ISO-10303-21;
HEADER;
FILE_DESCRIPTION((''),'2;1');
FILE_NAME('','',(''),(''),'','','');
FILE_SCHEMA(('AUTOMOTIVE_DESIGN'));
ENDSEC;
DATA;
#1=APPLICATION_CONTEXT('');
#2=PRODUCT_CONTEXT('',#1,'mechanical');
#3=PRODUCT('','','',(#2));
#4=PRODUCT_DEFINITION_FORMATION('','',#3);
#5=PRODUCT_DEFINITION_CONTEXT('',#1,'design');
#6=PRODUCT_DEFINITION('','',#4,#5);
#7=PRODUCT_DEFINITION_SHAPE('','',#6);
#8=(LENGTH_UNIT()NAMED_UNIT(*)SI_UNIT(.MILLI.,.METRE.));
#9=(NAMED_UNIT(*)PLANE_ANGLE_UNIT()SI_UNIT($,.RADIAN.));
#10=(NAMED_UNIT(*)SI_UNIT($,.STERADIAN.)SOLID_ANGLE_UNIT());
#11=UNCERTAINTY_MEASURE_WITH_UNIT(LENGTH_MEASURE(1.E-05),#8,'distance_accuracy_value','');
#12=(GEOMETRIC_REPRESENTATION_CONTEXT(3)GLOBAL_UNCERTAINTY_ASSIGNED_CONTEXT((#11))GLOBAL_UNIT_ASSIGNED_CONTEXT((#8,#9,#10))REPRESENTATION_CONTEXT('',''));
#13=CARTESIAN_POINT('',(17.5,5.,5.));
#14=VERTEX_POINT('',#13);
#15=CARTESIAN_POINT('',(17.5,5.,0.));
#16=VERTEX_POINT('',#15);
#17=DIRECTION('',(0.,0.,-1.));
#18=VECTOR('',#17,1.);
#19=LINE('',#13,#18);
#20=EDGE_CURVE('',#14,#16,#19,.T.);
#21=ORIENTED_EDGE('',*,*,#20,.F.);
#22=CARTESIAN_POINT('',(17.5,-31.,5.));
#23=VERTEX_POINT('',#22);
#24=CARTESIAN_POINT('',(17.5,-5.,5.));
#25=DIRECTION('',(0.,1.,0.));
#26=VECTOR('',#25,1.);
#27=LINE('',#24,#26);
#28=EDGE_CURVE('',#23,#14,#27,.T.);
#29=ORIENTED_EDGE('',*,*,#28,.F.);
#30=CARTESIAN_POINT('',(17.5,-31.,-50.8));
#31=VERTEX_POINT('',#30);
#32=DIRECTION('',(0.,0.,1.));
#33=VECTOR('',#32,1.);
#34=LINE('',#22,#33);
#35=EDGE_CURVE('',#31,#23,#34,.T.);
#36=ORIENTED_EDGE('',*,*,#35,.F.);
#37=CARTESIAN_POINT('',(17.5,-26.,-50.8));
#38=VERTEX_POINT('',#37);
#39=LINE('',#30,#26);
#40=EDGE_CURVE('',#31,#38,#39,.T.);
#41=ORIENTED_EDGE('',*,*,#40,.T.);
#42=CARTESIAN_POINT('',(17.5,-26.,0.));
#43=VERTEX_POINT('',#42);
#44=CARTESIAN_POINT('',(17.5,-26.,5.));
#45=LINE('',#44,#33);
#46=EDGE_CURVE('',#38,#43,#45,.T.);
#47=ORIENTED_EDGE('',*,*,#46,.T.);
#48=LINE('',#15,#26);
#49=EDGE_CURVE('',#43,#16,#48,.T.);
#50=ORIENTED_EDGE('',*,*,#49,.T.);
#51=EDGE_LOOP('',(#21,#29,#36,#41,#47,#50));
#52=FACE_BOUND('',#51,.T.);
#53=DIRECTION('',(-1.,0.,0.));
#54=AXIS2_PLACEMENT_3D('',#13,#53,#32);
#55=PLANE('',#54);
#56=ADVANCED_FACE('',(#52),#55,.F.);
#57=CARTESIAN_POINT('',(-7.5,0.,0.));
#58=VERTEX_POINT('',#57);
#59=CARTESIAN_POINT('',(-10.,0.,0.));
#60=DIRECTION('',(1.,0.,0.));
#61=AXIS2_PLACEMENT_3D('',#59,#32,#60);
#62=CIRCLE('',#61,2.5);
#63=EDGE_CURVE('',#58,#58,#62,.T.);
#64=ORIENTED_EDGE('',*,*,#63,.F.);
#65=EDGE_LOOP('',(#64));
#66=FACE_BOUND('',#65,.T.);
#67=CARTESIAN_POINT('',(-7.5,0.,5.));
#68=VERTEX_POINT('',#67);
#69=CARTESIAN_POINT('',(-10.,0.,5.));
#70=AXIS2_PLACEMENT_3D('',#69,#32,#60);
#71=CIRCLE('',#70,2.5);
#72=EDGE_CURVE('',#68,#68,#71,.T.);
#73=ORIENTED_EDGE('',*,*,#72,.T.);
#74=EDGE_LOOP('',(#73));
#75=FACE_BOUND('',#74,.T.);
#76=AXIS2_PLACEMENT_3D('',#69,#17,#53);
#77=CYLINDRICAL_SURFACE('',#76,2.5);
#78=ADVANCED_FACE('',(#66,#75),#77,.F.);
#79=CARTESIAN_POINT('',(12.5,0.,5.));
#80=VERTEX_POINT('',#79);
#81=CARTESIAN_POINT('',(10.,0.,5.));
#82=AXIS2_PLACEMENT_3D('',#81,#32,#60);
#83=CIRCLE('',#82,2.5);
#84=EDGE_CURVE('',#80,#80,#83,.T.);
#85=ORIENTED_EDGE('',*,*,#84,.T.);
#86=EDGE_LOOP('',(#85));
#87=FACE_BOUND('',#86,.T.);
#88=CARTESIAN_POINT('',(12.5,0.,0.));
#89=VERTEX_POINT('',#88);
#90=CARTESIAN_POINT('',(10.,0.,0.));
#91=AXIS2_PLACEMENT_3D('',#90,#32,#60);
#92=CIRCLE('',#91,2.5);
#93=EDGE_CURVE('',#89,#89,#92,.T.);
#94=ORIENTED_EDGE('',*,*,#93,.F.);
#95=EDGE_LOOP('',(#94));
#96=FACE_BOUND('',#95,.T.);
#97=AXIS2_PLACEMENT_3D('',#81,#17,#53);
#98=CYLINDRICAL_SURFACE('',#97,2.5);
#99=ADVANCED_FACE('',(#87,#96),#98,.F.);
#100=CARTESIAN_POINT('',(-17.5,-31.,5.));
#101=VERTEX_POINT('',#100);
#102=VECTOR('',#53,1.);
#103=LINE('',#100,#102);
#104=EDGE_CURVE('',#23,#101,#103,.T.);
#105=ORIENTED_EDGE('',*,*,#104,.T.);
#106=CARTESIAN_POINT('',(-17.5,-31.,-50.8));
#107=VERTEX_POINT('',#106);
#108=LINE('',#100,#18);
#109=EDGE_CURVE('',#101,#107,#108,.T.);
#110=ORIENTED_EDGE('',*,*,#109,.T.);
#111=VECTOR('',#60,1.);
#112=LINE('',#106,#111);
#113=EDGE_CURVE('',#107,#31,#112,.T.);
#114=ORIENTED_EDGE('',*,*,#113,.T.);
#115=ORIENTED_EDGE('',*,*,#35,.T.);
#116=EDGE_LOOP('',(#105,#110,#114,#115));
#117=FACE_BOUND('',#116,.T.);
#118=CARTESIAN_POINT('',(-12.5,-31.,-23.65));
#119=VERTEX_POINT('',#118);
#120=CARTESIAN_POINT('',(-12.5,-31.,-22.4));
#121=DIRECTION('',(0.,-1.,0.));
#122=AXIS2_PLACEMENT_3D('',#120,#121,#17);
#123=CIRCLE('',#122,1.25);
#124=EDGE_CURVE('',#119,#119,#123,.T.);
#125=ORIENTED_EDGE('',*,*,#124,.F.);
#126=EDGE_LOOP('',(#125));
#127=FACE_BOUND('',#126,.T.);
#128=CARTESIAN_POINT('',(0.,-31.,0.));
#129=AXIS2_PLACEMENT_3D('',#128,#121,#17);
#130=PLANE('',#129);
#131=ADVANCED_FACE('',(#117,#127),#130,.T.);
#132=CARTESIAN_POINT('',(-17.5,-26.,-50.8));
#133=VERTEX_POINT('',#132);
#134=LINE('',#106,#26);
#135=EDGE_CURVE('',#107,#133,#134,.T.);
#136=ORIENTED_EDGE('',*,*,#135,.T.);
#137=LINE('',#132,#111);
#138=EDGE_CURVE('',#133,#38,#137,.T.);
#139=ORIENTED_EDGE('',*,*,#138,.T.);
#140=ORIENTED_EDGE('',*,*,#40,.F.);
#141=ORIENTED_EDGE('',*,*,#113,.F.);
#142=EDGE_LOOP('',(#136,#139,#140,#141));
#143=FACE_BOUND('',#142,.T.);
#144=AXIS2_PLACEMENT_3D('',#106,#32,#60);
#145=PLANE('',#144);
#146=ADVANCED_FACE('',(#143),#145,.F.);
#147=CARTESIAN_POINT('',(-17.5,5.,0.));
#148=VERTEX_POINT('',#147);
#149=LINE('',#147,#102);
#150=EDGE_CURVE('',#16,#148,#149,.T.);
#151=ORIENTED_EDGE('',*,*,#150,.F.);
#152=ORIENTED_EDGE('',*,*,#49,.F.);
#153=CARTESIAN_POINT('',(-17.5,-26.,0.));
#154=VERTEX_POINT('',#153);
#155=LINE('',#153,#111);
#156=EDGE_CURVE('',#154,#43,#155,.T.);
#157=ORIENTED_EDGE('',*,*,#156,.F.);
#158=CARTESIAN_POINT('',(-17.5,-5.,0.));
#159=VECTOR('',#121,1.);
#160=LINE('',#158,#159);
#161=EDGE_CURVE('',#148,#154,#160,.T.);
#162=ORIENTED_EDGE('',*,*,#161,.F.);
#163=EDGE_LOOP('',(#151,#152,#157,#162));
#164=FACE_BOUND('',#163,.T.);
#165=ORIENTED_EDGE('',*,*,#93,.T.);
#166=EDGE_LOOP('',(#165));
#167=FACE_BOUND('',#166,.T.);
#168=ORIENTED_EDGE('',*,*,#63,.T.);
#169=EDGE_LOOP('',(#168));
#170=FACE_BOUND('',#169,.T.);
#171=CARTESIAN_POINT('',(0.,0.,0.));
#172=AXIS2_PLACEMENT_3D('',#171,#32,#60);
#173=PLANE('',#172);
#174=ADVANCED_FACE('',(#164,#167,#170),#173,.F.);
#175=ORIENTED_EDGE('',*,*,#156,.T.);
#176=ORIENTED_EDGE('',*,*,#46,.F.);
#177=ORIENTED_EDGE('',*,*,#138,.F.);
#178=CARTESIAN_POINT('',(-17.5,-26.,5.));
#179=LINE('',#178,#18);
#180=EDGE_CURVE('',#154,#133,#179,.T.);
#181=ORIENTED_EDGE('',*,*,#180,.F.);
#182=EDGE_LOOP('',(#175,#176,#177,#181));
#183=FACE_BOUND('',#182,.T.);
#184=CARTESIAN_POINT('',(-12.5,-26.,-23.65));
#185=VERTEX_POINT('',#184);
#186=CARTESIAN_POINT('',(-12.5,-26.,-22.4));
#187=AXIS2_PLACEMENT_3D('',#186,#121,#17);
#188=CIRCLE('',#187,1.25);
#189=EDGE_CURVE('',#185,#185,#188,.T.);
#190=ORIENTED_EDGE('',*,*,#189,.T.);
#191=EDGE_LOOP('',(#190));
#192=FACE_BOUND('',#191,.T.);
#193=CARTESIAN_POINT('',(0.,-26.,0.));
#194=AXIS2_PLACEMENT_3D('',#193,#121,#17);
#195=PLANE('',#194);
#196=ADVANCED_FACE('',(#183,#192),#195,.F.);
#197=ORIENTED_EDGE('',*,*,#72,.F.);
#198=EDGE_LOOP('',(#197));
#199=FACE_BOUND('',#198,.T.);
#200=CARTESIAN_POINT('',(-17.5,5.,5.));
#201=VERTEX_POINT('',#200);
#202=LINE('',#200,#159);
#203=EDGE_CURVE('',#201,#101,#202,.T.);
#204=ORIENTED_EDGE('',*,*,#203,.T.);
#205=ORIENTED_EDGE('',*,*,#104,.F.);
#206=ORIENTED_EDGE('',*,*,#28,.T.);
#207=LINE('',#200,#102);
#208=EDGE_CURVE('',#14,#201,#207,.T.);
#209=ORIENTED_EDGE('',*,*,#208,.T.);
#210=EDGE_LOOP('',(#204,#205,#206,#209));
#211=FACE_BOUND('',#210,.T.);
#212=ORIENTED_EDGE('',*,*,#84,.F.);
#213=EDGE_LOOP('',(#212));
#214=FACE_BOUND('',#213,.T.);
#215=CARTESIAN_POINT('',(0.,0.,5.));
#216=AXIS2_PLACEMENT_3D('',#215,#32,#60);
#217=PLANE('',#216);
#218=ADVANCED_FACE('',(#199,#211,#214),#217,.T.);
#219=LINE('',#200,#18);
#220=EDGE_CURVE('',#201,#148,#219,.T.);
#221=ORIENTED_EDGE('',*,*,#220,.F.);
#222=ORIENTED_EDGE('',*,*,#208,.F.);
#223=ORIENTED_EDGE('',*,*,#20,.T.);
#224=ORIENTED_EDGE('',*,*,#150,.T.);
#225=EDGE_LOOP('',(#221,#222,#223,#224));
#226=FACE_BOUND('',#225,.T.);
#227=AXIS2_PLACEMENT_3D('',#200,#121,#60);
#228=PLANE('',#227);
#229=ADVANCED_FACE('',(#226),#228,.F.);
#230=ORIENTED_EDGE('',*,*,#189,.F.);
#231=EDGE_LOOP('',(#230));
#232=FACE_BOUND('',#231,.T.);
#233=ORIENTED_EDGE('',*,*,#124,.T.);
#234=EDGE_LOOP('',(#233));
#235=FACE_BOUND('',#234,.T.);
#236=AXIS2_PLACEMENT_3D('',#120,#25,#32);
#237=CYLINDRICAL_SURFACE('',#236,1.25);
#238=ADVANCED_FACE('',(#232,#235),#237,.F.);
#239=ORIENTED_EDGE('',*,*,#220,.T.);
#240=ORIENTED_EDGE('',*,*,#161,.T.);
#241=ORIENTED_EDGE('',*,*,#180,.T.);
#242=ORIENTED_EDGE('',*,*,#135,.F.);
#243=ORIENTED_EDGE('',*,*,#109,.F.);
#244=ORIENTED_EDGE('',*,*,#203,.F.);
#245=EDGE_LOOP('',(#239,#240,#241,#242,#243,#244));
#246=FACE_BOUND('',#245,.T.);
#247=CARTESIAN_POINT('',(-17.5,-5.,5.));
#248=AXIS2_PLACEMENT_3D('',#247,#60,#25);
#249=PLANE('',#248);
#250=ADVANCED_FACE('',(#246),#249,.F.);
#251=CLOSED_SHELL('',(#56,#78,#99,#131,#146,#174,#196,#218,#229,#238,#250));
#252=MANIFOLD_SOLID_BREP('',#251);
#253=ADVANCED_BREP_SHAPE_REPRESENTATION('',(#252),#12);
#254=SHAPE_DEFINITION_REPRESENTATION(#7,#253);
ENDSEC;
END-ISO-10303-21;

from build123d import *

# Parameters (mm, degrees)
SKETCH1_R           = 2.5
BOSS_EXTRUDE1_DEPTH = 5
SKETCH2_W           = 35
SKETCH2_H           = 55.8
SKETCH2_R           = 1.25
BOSS_EXTRUDE2_DEPTH = 5


with BuildPart() as part:
    # Sketch1 → Boss-Extrude1 (new body)
    with BuildSketch(Plane.XY):
        Polygon((-17.5, 5), (17.5, 5), (17.5, -5), (17.5, -26), (-17.5, -26), (-17.5, -5), align=None)
        with Locations((-10, 0)):
            Circle(SKETCH1_R, mode=Mode.SUBTRACT)
        with Locations((10, 0)):
            Circle(SKETCH1_R, mode=Mode.SUBTRACT)
    extrude(amount=BOSS_EXTRUDE1_DEPTH)

    # Sketch2 → Boss-Extrude2 (add)
    with BuildSketch(Plane.XZ.offset(26)):
        with Locations((0, -22.9)):
            Rectangle(SKETCH2_W, SKETCH2_H)
        with Locations((-12.5, -22.4)):
            Circle(SKETCH2_R, mode=Mode.SUBTRACT)
    extrude(amount=BOSS_EXTRUDE2_DEPTH)


solid = part.part
